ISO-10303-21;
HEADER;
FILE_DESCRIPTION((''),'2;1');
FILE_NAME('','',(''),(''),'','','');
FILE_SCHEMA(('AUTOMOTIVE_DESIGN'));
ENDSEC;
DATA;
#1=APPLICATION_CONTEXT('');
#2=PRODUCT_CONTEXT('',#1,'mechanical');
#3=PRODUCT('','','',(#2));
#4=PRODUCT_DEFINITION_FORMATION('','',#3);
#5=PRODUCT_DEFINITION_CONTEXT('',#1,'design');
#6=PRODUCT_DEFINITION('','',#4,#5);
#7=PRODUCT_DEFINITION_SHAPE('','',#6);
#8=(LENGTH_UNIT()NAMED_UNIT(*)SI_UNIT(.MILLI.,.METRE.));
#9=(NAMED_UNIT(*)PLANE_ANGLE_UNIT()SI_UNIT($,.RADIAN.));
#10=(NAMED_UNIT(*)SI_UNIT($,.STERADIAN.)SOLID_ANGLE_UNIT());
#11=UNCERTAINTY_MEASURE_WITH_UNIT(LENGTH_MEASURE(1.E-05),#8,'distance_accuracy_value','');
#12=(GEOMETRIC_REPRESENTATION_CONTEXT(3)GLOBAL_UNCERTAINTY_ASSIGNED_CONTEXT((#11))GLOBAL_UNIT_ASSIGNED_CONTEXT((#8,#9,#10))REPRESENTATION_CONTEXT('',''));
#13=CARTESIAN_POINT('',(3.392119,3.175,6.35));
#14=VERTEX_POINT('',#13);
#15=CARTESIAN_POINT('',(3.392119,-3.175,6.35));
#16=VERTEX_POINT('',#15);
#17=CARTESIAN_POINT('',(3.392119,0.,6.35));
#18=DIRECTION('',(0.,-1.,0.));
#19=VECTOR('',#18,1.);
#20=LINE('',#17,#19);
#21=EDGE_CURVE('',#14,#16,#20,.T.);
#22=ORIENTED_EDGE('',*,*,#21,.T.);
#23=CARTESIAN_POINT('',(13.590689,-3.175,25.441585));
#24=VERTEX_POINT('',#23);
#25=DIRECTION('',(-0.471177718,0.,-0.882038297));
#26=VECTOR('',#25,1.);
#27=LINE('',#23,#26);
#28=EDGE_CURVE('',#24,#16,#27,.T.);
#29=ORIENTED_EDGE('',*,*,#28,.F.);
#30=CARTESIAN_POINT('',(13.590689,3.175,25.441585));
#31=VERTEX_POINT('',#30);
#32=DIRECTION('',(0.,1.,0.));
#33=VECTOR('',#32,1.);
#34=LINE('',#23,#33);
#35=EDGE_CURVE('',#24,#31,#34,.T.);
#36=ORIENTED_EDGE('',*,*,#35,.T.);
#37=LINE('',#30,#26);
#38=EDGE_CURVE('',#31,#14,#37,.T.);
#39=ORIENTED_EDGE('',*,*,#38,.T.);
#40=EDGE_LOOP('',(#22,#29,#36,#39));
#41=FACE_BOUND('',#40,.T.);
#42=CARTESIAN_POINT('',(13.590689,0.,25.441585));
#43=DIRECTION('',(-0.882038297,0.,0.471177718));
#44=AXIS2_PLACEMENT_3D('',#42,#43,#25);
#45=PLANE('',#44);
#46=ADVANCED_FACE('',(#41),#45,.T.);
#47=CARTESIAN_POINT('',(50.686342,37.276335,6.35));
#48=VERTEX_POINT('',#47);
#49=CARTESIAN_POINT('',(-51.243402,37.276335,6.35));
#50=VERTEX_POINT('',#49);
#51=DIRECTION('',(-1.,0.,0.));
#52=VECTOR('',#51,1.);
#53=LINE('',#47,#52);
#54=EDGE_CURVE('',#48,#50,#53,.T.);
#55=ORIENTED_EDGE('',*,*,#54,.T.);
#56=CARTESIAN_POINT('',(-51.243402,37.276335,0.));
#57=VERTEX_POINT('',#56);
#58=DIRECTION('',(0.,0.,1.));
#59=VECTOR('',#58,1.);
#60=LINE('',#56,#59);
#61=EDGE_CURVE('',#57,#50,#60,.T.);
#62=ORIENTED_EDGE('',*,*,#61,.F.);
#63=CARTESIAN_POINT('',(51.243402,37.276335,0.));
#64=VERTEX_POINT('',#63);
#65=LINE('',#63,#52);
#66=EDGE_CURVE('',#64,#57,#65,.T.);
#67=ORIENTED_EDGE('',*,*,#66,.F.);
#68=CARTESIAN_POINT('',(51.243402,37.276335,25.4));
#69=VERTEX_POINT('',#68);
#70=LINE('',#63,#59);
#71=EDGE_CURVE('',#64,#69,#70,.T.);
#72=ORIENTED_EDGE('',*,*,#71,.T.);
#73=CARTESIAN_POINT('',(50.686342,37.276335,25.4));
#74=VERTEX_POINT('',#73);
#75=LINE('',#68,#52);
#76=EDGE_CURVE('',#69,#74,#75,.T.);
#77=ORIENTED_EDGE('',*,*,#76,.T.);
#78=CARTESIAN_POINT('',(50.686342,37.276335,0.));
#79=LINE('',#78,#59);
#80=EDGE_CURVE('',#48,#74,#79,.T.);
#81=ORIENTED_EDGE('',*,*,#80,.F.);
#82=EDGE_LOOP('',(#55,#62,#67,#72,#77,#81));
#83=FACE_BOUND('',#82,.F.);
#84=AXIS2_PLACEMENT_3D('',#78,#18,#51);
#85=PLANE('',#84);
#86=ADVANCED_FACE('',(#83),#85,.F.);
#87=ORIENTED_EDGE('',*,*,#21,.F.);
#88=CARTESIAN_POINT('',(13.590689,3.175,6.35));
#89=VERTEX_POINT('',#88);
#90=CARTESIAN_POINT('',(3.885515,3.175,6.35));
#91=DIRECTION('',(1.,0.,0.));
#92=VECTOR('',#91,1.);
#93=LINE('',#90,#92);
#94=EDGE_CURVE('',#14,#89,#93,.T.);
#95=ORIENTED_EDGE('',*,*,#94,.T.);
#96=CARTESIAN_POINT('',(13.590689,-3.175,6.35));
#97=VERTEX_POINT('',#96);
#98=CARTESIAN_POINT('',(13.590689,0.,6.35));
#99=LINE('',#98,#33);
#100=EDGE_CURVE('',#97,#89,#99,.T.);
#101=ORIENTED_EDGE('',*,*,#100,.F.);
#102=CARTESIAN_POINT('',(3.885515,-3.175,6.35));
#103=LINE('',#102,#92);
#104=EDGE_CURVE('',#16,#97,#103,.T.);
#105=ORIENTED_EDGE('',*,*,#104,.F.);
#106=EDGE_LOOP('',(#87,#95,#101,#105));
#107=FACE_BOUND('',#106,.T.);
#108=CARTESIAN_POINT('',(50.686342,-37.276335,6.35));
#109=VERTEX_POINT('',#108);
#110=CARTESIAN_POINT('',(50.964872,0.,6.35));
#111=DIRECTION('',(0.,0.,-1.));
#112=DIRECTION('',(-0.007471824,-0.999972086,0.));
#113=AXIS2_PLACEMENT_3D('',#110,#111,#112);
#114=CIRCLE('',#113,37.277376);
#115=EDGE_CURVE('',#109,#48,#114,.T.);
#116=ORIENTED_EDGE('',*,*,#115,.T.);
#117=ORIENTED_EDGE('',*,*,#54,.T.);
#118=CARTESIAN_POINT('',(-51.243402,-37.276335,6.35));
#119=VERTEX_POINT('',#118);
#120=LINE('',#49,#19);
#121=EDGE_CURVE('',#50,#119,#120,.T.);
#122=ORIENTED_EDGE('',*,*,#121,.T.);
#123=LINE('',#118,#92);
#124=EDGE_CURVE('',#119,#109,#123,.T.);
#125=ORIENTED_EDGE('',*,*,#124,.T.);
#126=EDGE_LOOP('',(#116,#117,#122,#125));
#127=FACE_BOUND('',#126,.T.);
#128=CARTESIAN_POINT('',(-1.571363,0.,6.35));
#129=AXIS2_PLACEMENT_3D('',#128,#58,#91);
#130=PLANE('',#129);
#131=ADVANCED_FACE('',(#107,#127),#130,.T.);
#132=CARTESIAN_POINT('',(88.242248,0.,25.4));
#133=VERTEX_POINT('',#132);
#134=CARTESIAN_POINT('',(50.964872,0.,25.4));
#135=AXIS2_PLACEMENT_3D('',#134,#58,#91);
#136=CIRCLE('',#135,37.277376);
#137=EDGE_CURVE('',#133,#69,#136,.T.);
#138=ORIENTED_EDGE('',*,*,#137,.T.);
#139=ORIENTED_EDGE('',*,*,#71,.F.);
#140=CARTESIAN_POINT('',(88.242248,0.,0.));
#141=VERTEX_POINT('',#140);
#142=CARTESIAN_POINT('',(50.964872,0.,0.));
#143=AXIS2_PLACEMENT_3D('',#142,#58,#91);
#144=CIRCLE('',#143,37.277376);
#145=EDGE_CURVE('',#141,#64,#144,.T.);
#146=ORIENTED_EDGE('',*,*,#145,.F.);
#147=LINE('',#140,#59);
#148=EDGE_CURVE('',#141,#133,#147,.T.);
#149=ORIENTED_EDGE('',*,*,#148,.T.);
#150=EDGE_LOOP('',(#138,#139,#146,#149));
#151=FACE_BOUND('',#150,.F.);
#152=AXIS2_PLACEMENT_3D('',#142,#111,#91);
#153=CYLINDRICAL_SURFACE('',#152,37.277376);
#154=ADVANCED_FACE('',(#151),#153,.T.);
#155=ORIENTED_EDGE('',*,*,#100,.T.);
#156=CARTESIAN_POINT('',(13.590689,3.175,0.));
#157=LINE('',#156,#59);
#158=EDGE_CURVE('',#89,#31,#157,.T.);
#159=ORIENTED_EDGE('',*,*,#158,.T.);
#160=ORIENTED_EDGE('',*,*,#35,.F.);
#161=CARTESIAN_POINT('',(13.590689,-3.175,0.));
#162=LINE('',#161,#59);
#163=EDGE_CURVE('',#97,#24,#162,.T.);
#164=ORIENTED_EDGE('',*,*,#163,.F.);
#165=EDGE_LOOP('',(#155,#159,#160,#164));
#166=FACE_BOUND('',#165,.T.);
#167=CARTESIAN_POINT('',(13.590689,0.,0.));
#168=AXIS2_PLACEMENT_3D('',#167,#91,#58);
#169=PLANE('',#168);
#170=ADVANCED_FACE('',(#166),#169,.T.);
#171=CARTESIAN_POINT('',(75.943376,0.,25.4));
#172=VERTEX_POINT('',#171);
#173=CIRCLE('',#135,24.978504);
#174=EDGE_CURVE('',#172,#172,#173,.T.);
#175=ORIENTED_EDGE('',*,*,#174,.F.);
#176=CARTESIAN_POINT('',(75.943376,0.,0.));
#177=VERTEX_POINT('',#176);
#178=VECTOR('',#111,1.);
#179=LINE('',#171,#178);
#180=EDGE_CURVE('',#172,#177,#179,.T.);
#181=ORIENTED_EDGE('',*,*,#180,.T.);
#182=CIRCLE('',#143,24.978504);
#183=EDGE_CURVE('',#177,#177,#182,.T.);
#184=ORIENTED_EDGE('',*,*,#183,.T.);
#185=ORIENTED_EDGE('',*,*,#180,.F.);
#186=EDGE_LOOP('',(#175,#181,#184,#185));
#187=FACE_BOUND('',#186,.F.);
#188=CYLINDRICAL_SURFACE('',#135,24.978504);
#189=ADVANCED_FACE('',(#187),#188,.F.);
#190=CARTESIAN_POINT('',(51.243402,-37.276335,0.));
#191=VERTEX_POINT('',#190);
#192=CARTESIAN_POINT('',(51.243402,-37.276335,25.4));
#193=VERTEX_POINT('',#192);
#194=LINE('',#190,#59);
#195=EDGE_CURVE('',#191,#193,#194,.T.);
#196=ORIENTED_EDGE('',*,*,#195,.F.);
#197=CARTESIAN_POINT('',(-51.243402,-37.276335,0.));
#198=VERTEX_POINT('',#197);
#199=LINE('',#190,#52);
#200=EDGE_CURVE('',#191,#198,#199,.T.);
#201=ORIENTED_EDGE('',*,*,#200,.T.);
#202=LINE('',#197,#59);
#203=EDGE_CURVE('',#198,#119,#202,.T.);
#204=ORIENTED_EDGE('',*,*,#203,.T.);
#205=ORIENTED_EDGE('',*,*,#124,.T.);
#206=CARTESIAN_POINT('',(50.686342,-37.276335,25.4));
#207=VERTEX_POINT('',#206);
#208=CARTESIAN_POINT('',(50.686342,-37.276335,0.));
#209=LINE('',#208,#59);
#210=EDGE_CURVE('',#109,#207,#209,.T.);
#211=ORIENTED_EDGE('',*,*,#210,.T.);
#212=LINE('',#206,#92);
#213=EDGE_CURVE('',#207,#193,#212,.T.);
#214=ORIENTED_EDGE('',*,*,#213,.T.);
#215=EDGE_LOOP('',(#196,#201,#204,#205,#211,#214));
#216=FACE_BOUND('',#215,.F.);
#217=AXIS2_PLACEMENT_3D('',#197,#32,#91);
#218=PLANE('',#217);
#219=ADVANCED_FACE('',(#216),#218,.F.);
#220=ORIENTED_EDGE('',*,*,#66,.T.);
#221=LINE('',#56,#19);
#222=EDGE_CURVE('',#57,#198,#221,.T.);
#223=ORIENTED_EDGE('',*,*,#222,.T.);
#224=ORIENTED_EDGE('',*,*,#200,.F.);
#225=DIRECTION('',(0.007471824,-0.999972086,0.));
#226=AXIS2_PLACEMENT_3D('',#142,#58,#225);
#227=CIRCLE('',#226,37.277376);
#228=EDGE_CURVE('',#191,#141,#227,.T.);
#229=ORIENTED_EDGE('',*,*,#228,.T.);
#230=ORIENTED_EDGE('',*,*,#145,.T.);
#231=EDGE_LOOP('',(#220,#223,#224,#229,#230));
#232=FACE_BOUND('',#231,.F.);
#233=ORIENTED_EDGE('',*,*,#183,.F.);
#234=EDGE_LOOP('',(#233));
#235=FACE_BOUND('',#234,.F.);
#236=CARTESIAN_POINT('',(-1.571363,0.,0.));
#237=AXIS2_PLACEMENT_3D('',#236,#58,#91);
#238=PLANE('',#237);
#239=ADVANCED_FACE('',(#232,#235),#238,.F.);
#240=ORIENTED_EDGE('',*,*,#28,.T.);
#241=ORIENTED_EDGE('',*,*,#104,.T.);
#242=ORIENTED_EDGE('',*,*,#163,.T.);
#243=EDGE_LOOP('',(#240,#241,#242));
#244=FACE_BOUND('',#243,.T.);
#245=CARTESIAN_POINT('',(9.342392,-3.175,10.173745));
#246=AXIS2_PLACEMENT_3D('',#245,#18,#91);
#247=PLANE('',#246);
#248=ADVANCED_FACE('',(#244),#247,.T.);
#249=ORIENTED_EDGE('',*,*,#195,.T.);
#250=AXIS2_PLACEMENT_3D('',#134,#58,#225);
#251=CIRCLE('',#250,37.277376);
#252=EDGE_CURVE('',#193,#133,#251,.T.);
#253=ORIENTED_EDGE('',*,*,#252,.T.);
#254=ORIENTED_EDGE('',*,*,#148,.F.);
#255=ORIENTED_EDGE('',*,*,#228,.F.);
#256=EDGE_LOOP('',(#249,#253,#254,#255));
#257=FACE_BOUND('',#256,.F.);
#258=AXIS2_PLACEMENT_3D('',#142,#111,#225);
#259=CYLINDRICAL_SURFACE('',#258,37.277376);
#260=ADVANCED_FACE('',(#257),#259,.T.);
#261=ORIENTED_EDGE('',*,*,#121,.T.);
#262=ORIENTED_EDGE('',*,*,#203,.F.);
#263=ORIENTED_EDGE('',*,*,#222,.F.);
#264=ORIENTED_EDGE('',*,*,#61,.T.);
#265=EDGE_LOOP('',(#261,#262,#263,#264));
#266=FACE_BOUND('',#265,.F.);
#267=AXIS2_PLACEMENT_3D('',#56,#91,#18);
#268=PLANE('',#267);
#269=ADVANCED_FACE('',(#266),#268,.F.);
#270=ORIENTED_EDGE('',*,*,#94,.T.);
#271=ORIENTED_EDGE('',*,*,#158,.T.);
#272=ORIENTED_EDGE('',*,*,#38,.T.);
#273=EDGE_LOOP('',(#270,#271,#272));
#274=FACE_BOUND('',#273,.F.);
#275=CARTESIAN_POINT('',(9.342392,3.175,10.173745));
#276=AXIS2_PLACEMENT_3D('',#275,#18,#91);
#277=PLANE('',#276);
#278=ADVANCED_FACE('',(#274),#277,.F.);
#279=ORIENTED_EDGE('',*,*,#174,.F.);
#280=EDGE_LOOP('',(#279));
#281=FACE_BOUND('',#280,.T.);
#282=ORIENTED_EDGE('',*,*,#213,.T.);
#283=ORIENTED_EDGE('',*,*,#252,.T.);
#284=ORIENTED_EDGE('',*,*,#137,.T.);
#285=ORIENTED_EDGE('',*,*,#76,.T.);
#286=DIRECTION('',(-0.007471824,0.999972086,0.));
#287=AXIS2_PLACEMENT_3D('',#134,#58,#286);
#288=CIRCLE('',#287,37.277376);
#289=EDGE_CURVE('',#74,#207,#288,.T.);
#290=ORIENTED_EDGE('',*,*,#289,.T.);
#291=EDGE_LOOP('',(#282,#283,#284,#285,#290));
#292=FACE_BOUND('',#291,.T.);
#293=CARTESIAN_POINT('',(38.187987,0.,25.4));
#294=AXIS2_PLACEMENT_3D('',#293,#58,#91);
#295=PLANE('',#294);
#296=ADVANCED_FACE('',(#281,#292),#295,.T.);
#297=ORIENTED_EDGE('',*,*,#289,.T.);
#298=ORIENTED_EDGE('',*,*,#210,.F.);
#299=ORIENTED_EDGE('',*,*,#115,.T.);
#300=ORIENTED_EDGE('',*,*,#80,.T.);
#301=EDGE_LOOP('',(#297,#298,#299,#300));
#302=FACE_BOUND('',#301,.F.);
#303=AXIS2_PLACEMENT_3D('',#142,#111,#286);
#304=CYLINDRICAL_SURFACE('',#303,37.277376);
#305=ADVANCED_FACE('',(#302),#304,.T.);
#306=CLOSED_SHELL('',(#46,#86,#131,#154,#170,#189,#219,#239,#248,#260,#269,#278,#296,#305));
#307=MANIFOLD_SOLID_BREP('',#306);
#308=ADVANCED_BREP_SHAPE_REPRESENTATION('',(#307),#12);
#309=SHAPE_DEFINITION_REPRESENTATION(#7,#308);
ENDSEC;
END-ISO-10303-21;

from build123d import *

# Parameters (mm, degrees)
F1_DEPTH = 25.4
F2_DEPTH = 6.35
F4_DEPTH = 3.175
F5_R     = 24.9785036256
F6_DEPTH = 89.916


with BuildPart() as f1:
    # F0 (on Top) → F1 (new body)
    with BuildSketch(Plane.XY):
        with BuildLine():
            Line((51.2434020638, 37.2763350606), (50.6863420601, 37.2763350606))
            ThreePointArc((50.6863420601, 37.2763350606), (13.6874964232, 0), (50.6863420601, -37.2763350606))
            Line((50.6863420601, -37.2763350606), (51.2434020638, -37.2763350606))
            Line((51.2434020638, -37.2763350606), (51.2434020638, 37.2763350606))
        make_face()
        with BuildLine():
            ThreePointArc((88.2422477007, 0), (77.4222491241, 26.2604252346), (51.2434020638, 37.2763350606))
            Line((51.2434020638, 37.2763350606), (51.2434020638, -37.2763350606))
            ThreePointArc((51.2434020638, -37.2763350606), (77.4222491241, -26.2604252346), (88.2422477007, 0))
        make_face()
    extrude(amount=F1_DEPTH)

    # F0 (on Top) → F2 (join)
    with BuildSketch(Plane.XY):
        with BuildLine():
            Line((50.6863420601, 37.2763350606), (-51.2434020638, 37.2763350606))
            Line((-51.2434020638, 37.2763350606), (-51.2434020638, -37.2763350606))
            Line((-51.2434020638, -37.2763350606), (50.6863420601, -37.2763350606))
            ThreePointArc((50.6863420601, -37.2763350606), (13.6874964232, 0), (50.6863420601, 37.2763350606))
        make_face()
    extrude(amount=F2_DEPTH)

    # F3 (on Front) → F4 (join, symmetric)
    with BuildSketch(Plane.XZ):
        Polygon((13.5906888172, 25.4415851086), (0, 0), (13.5906888172, 0), align=None)
    extrude(amount=F4_DEPTH, both=True)

    # F5 (on face) → F6 (cut)
    with BuildSketch(Plane.XY.offset(25.4)):
        with Locations((50.964872062, 0)):
            Circle(F5_R)
    extrude(amount=-F6_DEPTH, mode=Mode.SUBTRACT)


solid = f1.part
